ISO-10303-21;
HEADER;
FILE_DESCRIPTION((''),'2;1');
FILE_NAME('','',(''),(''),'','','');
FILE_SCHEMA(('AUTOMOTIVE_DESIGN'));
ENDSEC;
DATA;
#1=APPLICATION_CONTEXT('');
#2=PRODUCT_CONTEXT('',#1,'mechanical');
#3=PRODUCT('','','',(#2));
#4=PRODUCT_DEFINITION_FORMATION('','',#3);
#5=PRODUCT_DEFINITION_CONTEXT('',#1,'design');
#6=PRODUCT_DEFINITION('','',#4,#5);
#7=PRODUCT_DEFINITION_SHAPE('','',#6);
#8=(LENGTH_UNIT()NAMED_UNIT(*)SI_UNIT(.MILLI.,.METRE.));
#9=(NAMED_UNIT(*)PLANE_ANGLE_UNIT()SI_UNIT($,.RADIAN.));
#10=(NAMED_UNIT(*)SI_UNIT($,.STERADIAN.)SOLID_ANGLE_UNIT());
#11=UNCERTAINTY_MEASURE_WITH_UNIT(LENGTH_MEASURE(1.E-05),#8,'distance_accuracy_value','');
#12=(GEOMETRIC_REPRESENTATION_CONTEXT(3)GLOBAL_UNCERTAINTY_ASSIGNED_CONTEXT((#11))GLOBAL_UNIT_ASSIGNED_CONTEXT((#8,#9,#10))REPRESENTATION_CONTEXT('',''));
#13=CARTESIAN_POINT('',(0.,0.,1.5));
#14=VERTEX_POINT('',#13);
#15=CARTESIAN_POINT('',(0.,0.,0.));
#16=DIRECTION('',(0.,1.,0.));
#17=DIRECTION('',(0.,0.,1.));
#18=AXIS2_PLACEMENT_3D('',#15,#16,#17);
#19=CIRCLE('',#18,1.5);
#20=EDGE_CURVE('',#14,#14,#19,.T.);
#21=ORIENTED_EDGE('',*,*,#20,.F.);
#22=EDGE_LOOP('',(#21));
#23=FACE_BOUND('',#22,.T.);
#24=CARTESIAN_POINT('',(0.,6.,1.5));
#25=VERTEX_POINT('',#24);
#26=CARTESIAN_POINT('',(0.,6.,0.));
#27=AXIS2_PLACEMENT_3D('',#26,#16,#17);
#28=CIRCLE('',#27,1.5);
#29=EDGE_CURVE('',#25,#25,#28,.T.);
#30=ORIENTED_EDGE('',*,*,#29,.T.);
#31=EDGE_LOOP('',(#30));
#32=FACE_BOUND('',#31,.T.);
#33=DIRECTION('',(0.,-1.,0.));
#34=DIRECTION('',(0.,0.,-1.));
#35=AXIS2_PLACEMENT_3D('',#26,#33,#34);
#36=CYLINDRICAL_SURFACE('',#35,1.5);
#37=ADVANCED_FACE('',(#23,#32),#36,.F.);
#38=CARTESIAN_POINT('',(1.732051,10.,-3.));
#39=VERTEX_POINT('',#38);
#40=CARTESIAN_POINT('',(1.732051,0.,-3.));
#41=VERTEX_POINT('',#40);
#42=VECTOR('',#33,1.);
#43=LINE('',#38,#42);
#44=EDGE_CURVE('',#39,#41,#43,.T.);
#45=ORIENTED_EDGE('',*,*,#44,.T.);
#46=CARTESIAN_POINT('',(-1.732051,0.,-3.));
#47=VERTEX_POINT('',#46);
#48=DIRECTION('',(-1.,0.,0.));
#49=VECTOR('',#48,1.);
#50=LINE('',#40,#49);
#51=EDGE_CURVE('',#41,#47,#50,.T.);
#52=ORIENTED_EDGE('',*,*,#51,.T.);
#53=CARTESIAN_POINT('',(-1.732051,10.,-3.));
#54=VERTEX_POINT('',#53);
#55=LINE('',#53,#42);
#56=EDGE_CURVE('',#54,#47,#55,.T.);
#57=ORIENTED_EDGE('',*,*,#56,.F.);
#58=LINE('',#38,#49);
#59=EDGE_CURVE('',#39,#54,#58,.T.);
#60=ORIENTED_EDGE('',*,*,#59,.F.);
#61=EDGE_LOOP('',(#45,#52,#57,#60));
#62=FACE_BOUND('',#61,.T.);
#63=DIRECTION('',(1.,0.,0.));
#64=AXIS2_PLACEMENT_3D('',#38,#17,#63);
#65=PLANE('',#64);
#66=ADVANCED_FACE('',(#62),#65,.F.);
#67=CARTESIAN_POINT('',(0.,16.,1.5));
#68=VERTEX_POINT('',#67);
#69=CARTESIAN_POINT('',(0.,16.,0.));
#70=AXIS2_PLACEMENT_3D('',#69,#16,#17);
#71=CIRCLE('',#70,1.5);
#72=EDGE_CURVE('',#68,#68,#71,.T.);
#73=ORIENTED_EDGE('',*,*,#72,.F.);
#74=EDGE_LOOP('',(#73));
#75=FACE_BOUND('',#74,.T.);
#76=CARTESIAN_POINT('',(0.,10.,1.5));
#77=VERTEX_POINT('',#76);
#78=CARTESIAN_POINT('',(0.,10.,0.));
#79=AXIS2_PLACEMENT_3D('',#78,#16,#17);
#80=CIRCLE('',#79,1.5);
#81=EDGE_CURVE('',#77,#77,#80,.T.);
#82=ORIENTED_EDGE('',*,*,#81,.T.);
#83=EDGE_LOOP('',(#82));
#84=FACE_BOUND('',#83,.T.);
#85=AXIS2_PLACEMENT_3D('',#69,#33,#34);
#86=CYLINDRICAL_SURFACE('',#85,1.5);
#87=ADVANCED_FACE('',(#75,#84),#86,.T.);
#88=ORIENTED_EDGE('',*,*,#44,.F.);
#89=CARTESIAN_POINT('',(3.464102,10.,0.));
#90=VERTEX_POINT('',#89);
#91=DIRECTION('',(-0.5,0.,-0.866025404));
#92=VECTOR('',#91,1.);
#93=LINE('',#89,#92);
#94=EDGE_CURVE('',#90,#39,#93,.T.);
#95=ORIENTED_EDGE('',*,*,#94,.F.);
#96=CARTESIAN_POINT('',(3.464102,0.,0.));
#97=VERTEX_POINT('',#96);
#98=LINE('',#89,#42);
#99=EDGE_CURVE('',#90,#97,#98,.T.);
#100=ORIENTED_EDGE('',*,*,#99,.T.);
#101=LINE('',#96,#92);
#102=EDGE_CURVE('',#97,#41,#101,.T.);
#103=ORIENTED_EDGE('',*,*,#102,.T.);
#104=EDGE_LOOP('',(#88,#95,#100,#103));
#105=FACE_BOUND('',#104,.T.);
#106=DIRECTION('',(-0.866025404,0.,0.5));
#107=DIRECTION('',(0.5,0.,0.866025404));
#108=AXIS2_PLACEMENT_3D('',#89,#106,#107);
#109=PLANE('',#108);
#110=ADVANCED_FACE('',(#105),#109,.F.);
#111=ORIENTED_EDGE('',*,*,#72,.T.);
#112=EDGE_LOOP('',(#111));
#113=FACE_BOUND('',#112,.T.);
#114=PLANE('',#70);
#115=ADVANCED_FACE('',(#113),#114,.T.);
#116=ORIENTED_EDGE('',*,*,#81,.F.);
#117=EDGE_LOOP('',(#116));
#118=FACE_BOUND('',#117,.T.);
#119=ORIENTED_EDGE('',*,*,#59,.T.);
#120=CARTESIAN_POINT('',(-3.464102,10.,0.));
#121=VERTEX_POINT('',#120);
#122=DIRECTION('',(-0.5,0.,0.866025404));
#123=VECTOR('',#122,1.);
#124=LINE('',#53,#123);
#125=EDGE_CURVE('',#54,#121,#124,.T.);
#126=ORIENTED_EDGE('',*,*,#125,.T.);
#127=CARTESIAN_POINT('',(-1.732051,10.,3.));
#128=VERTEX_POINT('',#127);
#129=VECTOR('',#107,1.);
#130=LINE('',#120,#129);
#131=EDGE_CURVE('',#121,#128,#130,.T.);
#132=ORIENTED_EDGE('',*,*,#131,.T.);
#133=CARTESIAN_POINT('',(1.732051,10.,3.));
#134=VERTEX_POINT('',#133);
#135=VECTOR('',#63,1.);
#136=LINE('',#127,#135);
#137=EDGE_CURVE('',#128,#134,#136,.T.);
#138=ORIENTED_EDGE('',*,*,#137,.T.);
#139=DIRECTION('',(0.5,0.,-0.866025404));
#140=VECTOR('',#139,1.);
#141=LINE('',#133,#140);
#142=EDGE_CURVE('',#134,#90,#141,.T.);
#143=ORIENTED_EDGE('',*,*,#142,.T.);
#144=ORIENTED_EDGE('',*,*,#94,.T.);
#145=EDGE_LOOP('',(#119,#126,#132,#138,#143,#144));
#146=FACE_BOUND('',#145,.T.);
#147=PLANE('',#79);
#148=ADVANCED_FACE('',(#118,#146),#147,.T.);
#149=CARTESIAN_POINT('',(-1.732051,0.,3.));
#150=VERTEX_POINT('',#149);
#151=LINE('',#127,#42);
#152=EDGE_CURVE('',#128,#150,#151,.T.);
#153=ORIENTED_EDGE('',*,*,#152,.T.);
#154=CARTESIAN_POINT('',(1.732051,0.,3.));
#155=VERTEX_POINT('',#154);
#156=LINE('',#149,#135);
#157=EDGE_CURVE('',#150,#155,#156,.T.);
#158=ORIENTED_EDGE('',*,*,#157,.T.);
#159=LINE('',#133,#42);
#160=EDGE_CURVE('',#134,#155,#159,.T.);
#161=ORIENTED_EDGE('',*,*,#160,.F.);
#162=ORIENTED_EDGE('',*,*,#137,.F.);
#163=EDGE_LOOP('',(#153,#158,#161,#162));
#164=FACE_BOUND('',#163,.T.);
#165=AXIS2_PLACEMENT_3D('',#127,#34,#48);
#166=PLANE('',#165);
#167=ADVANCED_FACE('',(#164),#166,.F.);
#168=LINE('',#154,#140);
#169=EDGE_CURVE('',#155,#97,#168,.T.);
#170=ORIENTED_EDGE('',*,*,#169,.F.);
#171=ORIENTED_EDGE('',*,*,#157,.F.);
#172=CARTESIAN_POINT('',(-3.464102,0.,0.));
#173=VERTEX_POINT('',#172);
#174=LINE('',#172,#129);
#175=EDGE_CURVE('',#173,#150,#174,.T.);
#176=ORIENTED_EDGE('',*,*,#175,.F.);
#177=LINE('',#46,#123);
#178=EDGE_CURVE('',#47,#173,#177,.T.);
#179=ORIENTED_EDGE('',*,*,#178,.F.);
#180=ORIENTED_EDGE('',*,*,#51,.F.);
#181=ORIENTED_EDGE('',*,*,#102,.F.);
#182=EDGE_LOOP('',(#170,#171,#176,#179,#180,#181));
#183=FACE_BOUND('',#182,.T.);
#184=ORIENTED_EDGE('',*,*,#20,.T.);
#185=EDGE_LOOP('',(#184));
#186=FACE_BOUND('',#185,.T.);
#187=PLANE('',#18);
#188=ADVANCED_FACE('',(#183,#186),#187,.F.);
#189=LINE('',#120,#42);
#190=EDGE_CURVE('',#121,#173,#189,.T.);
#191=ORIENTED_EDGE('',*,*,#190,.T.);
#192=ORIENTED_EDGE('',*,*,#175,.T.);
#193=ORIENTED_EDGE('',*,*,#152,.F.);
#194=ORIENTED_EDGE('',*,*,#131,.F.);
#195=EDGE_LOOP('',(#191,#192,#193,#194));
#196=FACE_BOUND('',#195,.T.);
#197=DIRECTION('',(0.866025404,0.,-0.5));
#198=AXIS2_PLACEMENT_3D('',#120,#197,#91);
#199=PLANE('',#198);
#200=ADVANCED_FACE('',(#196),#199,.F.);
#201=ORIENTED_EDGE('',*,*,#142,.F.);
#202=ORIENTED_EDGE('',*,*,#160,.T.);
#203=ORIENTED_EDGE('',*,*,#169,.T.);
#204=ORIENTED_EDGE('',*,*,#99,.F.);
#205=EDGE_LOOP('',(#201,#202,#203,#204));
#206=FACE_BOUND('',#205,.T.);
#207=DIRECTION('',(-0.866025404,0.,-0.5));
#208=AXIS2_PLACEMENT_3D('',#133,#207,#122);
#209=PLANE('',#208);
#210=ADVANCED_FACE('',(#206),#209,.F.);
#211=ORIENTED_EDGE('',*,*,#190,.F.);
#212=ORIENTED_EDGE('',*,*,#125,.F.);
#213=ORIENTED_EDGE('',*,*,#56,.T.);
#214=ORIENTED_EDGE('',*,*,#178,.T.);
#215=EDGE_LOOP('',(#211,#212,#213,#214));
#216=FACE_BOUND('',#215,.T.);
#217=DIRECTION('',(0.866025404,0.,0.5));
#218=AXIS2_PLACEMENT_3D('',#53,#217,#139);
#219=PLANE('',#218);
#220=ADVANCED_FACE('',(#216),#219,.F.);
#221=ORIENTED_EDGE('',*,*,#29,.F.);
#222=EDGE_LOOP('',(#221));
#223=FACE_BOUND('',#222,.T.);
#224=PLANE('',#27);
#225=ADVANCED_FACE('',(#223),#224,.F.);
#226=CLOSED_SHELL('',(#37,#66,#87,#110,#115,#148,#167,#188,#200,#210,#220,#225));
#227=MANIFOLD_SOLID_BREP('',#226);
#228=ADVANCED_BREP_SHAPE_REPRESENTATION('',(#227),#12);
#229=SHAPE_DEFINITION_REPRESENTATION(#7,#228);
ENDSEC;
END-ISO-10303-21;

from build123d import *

# Parameters (mm, degrees)
BOSS_EXTRUDE1_DEPTH = 10
SKETCH2_R           = 1.5
BOSS_EXTRUDE2_DEPTH = 6
CUT_EXTRUDE1_START  = -10
SKETCH2_2_R         = 1.5
CUT_EXTRUDE1_DEPTH  = 6


with BuildPart() as part:
    # Sketch1 → Boss-Extrude1 (new body)
    with BuildSketch(Plane(origin=(0, 0, 0), x_dir=(1, 0, 0), z_dir=(0, 1, 0))):
        Polygon((1.732050808, -3), (3.464101615, 0), (1.732050808, 3), (-1.732050808, 3), (-3.464101615, 0), (-1.732050808, -3), align=None)
    extrude(amount=BOSS_EXTRUDE1_DEPTH)

    # Sketch2 → Boss-Extrude2 (add)
    with BuildSketch(Plane(origin=(0, 10, 0), x_dir=(1, 0, 0), z_dir=(0, 1, 0))):
        with Locations(Location((0, 0, 0), (0, 0, 270))):
            Circle(SKETCH2_R)
    extrude(amount=BOSS_EXTRUDE2_DEPTH)

    # Sketch2<2> → Cut-Extrude1 (cut)
    with BuildSketch(Plane(origin=(0, 10, 0), x_dir=(1, 0, 0), z_dir=(0, 1, 0)).offset(CUT_EXTRUDE1_START)):
        with Locations(Location((0, 0, 0), (0, 0, 270))):
            Circle(SKETCH2_2_R)
    extrude(amount=CUT_EXTRUDE1_DEPTH, mode=Mode.SUBTRACT)


solid = part.part
